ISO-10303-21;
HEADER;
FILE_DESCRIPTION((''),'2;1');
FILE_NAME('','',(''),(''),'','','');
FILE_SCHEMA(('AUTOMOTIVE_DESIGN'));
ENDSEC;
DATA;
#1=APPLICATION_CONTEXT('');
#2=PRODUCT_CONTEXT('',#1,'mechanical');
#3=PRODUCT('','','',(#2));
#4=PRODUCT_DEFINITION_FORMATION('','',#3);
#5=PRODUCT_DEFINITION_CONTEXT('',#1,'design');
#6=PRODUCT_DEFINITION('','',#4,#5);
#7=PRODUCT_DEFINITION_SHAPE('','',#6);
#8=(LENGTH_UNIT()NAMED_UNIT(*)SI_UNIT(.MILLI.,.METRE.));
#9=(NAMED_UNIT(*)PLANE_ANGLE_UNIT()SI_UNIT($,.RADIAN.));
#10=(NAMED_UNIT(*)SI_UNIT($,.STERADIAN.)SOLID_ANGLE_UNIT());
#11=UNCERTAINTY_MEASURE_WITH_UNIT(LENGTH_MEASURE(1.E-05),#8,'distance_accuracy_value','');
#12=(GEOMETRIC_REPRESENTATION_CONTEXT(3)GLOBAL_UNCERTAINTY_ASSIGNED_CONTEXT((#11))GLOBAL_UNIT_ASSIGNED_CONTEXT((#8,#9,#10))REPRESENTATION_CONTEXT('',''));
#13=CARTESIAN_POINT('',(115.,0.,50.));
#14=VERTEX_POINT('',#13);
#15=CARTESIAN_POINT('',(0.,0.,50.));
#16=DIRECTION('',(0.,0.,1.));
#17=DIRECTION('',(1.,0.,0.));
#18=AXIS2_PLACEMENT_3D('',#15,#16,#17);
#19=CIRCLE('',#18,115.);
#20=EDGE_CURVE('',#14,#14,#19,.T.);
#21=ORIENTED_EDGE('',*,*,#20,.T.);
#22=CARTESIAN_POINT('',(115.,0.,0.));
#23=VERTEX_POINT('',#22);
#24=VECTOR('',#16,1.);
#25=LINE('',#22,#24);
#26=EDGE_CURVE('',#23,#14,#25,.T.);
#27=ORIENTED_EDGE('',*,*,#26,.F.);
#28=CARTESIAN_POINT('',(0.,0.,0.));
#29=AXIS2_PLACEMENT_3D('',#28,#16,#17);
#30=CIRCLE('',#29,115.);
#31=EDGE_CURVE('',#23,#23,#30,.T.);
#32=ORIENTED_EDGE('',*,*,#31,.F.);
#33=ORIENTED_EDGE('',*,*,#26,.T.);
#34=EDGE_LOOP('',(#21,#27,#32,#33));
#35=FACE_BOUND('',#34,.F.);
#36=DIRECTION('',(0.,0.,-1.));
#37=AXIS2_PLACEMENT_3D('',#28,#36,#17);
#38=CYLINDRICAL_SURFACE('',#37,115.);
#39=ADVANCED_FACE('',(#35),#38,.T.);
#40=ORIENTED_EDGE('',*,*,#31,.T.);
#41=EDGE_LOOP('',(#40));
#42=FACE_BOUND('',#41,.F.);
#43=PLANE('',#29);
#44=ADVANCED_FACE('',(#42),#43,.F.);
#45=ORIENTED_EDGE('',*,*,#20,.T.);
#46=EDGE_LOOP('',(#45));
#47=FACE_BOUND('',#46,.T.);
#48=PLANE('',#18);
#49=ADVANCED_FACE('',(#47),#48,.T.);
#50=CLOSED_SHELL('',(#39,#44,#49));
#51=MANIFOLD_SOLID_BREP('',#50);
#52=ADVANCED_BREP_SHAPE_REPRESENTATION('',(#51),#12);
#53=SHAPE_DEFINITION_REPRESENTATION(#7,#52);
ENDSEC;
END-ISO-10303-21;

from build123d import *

# Parameters (mm, degrees)
CYLINDER_R     = 115
CYLINDER_DEPTH = 50


with BuildPart() as part:
    # Cylinder → Cylinder (join)
    with BuildSketch(Plane.XY):
        Circle(CYLINDER_R)
    extrude(amount=CYLINDER_DEPTH)


solid = part.part
